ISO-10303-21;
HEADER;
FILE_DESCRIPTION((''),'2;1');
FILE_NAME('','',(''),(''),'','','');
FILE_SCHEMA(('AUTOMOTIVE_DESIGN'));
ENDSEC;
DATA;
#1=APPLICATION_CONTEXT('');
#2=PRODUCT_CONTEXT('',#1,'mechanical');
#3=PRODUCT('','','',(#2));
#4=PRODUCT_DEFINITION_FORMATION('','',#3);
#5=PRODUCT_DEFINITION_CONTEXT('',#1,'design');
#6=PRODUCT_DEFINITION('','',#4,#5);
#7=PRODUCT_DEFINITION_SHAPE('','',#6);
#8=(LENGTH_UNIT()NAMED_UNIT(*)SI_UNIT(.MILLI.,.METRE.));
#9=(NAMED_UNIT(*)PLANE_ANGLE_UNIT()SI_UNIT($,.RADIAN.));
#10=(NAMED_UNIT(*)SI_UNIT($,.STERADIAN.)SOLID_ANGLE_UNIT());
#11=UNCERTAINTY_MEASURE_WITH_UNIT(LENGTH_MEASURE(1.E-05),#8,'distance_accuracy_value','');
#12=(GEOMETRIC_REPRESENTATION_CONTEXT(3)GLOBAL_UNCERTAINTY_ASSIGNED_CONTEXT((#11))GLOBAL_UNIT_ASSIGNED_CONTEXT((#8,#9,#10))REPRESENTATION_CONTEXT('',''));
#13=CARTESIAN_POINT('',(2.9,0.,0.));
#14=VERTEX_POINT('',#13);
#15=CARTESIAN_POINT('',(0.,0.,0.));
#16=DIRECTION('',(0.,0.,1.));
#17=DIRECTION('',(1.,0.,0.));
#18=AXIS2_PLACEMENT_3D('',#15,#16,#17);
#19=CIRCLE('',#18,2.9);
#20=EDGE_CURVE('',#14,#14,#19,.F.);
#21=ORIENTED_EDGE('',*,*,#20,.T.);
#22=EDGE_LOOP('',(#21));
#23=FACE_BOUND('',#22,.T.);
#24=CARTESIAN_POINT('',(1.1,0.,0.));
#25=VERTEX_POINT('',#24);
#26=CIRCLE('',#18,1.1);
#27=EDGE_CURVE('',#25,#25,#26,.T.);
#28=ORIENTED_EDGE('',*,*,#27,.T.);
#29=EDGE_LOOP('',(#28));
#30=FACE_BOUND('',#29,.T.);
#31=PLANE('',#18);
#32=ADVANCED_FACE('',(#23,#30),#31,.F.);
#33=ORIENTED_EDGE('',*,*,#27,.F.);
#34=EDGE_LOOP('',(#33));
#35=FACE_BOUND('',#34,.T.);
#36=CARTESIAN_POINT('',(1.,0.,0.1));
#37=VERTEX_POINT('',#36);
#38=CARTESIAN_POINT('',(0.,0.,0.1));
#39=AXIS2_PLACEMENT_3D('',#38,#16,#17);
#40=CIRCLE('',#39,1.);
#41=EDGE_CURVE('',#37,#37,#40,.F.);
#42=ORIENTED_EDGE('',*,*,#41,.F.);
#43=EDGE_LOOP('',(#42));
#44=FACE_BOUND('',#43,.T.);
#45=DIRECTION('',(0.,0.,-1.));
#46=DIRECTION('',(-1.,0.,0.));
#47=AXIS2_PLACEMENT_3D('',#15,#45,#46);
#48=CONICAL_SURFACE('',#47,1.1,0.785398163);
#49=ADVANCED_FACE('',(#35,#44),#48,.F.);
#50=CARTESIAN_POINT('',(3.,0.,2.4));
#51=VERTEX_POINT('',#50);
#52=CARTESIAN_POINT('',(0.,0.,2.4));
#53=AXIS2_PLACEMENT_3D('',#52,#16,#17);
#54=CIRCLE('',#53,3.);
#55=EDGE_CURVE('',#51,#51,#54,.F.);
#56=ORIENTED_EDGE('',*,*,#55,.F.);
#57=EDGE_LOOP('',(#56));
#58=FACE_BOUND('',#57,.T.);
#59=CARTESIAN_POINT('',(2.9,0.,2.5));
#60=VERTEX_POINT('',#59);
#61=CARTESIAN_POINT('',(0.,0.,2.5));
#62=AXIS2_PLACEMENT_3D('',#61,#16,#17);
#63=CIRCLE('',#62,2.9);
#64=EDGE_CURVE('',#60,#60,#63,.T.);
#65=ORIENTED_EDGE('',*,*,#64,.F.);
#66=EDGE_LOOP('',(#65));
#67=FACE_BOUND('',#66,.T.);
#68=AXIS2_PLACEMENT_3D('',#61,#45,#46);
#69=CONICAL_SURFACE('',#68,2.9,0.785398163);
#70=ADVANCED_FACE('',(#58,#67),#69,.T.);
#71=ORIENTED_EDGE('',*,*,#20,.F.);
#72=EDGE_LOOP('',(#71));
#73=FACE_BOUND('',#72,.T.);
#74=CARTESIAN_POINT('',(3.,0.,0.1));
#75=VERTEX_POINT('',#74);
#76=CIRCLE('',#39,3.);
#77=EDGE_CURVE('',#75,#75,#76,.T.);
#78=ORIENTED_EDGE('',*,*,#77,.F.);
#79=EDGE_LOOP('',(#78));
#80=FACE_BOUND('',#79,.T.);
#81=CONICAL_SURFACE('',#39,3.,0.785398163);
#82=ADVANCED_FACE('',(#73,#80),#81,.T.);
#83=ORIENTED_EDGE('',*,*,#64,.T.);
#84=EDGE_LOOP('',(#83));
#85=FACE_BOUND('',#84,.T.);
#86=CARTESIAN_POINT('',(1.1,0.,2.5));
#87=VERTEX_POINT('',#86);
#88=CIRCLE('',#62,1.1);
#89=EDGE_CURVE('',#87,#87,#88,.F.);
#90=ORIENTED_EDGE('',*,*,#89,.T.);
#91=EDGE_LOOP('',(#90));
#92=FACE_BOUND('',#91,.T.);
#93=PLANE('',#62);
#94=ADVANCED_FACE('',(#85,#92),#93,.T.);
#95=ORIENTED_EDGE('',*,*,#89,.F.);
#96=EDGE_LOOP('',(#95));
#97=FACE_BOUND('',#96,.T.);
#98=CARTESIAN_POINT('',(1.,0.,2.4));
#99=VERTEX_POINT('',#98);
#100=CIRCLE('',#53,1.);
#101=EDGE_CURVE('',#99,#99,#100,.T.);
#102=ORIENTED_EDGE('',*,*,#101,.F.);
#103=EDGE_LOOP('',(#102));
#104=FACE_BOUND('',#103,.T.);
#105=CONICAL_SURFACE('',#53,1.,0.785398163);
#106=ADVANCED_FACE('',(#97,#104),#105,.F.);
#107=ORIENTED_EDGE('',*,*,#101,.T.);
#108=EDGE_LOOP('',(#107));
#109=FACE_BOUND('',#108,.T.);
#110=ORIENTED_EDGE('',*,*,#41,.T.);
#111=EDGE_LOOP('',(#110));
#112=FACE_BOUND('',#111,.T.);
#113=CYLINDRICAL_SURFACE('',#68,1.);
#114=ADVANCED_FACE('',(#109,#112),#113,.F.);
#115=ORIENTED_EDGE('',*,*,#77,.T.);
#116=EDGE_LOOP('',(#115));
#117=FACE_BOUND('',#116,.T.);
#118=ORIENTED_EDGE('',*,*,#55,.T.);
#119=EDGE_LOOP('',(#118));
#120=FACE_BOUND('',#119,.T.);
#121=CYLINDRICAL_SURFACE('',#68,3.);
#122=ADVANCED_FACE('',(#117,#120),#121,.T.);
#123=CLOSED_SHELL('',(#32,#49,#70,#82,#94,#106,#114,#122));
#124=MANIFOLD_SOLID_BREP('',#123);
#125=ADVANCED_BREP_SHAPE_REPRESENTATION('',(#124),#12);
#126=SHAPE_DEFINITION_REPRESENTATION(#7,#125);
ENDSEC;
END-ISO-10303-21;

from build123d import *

# Parameters (mm, degrees)
SKETCH2_R           = 3
SKETCH2_R_2         = 1
BOSS_EXTRUDE1_DEPTH = 2.5
CHAMFER1_SIZE       = 0.1


with BuildPart() as part:
    # Sketch2 → Boss-Extrude1 (new body)
    with BuildSketch(Plane.XY):
        Circle(SKETCH2_R)
        Circle(SKETCH2_R_2, mode=Mode.SUBTRACT)
    extrude(amount=BOSS_EXTRUDE1_DEPTH)

    # Chamfer1
    chamfer1_edges = [part.edges().sort_by_distance(p)[0] for p in [
        (-3, 0, 0),
        (-3, 0, 2.5),
        (-1, 0, 0),
        (-1, 0, 2.5),
    ]]
    chamfer(chamfer1_edges, length=CHAMFER1_SIZE)


solid = part.part
